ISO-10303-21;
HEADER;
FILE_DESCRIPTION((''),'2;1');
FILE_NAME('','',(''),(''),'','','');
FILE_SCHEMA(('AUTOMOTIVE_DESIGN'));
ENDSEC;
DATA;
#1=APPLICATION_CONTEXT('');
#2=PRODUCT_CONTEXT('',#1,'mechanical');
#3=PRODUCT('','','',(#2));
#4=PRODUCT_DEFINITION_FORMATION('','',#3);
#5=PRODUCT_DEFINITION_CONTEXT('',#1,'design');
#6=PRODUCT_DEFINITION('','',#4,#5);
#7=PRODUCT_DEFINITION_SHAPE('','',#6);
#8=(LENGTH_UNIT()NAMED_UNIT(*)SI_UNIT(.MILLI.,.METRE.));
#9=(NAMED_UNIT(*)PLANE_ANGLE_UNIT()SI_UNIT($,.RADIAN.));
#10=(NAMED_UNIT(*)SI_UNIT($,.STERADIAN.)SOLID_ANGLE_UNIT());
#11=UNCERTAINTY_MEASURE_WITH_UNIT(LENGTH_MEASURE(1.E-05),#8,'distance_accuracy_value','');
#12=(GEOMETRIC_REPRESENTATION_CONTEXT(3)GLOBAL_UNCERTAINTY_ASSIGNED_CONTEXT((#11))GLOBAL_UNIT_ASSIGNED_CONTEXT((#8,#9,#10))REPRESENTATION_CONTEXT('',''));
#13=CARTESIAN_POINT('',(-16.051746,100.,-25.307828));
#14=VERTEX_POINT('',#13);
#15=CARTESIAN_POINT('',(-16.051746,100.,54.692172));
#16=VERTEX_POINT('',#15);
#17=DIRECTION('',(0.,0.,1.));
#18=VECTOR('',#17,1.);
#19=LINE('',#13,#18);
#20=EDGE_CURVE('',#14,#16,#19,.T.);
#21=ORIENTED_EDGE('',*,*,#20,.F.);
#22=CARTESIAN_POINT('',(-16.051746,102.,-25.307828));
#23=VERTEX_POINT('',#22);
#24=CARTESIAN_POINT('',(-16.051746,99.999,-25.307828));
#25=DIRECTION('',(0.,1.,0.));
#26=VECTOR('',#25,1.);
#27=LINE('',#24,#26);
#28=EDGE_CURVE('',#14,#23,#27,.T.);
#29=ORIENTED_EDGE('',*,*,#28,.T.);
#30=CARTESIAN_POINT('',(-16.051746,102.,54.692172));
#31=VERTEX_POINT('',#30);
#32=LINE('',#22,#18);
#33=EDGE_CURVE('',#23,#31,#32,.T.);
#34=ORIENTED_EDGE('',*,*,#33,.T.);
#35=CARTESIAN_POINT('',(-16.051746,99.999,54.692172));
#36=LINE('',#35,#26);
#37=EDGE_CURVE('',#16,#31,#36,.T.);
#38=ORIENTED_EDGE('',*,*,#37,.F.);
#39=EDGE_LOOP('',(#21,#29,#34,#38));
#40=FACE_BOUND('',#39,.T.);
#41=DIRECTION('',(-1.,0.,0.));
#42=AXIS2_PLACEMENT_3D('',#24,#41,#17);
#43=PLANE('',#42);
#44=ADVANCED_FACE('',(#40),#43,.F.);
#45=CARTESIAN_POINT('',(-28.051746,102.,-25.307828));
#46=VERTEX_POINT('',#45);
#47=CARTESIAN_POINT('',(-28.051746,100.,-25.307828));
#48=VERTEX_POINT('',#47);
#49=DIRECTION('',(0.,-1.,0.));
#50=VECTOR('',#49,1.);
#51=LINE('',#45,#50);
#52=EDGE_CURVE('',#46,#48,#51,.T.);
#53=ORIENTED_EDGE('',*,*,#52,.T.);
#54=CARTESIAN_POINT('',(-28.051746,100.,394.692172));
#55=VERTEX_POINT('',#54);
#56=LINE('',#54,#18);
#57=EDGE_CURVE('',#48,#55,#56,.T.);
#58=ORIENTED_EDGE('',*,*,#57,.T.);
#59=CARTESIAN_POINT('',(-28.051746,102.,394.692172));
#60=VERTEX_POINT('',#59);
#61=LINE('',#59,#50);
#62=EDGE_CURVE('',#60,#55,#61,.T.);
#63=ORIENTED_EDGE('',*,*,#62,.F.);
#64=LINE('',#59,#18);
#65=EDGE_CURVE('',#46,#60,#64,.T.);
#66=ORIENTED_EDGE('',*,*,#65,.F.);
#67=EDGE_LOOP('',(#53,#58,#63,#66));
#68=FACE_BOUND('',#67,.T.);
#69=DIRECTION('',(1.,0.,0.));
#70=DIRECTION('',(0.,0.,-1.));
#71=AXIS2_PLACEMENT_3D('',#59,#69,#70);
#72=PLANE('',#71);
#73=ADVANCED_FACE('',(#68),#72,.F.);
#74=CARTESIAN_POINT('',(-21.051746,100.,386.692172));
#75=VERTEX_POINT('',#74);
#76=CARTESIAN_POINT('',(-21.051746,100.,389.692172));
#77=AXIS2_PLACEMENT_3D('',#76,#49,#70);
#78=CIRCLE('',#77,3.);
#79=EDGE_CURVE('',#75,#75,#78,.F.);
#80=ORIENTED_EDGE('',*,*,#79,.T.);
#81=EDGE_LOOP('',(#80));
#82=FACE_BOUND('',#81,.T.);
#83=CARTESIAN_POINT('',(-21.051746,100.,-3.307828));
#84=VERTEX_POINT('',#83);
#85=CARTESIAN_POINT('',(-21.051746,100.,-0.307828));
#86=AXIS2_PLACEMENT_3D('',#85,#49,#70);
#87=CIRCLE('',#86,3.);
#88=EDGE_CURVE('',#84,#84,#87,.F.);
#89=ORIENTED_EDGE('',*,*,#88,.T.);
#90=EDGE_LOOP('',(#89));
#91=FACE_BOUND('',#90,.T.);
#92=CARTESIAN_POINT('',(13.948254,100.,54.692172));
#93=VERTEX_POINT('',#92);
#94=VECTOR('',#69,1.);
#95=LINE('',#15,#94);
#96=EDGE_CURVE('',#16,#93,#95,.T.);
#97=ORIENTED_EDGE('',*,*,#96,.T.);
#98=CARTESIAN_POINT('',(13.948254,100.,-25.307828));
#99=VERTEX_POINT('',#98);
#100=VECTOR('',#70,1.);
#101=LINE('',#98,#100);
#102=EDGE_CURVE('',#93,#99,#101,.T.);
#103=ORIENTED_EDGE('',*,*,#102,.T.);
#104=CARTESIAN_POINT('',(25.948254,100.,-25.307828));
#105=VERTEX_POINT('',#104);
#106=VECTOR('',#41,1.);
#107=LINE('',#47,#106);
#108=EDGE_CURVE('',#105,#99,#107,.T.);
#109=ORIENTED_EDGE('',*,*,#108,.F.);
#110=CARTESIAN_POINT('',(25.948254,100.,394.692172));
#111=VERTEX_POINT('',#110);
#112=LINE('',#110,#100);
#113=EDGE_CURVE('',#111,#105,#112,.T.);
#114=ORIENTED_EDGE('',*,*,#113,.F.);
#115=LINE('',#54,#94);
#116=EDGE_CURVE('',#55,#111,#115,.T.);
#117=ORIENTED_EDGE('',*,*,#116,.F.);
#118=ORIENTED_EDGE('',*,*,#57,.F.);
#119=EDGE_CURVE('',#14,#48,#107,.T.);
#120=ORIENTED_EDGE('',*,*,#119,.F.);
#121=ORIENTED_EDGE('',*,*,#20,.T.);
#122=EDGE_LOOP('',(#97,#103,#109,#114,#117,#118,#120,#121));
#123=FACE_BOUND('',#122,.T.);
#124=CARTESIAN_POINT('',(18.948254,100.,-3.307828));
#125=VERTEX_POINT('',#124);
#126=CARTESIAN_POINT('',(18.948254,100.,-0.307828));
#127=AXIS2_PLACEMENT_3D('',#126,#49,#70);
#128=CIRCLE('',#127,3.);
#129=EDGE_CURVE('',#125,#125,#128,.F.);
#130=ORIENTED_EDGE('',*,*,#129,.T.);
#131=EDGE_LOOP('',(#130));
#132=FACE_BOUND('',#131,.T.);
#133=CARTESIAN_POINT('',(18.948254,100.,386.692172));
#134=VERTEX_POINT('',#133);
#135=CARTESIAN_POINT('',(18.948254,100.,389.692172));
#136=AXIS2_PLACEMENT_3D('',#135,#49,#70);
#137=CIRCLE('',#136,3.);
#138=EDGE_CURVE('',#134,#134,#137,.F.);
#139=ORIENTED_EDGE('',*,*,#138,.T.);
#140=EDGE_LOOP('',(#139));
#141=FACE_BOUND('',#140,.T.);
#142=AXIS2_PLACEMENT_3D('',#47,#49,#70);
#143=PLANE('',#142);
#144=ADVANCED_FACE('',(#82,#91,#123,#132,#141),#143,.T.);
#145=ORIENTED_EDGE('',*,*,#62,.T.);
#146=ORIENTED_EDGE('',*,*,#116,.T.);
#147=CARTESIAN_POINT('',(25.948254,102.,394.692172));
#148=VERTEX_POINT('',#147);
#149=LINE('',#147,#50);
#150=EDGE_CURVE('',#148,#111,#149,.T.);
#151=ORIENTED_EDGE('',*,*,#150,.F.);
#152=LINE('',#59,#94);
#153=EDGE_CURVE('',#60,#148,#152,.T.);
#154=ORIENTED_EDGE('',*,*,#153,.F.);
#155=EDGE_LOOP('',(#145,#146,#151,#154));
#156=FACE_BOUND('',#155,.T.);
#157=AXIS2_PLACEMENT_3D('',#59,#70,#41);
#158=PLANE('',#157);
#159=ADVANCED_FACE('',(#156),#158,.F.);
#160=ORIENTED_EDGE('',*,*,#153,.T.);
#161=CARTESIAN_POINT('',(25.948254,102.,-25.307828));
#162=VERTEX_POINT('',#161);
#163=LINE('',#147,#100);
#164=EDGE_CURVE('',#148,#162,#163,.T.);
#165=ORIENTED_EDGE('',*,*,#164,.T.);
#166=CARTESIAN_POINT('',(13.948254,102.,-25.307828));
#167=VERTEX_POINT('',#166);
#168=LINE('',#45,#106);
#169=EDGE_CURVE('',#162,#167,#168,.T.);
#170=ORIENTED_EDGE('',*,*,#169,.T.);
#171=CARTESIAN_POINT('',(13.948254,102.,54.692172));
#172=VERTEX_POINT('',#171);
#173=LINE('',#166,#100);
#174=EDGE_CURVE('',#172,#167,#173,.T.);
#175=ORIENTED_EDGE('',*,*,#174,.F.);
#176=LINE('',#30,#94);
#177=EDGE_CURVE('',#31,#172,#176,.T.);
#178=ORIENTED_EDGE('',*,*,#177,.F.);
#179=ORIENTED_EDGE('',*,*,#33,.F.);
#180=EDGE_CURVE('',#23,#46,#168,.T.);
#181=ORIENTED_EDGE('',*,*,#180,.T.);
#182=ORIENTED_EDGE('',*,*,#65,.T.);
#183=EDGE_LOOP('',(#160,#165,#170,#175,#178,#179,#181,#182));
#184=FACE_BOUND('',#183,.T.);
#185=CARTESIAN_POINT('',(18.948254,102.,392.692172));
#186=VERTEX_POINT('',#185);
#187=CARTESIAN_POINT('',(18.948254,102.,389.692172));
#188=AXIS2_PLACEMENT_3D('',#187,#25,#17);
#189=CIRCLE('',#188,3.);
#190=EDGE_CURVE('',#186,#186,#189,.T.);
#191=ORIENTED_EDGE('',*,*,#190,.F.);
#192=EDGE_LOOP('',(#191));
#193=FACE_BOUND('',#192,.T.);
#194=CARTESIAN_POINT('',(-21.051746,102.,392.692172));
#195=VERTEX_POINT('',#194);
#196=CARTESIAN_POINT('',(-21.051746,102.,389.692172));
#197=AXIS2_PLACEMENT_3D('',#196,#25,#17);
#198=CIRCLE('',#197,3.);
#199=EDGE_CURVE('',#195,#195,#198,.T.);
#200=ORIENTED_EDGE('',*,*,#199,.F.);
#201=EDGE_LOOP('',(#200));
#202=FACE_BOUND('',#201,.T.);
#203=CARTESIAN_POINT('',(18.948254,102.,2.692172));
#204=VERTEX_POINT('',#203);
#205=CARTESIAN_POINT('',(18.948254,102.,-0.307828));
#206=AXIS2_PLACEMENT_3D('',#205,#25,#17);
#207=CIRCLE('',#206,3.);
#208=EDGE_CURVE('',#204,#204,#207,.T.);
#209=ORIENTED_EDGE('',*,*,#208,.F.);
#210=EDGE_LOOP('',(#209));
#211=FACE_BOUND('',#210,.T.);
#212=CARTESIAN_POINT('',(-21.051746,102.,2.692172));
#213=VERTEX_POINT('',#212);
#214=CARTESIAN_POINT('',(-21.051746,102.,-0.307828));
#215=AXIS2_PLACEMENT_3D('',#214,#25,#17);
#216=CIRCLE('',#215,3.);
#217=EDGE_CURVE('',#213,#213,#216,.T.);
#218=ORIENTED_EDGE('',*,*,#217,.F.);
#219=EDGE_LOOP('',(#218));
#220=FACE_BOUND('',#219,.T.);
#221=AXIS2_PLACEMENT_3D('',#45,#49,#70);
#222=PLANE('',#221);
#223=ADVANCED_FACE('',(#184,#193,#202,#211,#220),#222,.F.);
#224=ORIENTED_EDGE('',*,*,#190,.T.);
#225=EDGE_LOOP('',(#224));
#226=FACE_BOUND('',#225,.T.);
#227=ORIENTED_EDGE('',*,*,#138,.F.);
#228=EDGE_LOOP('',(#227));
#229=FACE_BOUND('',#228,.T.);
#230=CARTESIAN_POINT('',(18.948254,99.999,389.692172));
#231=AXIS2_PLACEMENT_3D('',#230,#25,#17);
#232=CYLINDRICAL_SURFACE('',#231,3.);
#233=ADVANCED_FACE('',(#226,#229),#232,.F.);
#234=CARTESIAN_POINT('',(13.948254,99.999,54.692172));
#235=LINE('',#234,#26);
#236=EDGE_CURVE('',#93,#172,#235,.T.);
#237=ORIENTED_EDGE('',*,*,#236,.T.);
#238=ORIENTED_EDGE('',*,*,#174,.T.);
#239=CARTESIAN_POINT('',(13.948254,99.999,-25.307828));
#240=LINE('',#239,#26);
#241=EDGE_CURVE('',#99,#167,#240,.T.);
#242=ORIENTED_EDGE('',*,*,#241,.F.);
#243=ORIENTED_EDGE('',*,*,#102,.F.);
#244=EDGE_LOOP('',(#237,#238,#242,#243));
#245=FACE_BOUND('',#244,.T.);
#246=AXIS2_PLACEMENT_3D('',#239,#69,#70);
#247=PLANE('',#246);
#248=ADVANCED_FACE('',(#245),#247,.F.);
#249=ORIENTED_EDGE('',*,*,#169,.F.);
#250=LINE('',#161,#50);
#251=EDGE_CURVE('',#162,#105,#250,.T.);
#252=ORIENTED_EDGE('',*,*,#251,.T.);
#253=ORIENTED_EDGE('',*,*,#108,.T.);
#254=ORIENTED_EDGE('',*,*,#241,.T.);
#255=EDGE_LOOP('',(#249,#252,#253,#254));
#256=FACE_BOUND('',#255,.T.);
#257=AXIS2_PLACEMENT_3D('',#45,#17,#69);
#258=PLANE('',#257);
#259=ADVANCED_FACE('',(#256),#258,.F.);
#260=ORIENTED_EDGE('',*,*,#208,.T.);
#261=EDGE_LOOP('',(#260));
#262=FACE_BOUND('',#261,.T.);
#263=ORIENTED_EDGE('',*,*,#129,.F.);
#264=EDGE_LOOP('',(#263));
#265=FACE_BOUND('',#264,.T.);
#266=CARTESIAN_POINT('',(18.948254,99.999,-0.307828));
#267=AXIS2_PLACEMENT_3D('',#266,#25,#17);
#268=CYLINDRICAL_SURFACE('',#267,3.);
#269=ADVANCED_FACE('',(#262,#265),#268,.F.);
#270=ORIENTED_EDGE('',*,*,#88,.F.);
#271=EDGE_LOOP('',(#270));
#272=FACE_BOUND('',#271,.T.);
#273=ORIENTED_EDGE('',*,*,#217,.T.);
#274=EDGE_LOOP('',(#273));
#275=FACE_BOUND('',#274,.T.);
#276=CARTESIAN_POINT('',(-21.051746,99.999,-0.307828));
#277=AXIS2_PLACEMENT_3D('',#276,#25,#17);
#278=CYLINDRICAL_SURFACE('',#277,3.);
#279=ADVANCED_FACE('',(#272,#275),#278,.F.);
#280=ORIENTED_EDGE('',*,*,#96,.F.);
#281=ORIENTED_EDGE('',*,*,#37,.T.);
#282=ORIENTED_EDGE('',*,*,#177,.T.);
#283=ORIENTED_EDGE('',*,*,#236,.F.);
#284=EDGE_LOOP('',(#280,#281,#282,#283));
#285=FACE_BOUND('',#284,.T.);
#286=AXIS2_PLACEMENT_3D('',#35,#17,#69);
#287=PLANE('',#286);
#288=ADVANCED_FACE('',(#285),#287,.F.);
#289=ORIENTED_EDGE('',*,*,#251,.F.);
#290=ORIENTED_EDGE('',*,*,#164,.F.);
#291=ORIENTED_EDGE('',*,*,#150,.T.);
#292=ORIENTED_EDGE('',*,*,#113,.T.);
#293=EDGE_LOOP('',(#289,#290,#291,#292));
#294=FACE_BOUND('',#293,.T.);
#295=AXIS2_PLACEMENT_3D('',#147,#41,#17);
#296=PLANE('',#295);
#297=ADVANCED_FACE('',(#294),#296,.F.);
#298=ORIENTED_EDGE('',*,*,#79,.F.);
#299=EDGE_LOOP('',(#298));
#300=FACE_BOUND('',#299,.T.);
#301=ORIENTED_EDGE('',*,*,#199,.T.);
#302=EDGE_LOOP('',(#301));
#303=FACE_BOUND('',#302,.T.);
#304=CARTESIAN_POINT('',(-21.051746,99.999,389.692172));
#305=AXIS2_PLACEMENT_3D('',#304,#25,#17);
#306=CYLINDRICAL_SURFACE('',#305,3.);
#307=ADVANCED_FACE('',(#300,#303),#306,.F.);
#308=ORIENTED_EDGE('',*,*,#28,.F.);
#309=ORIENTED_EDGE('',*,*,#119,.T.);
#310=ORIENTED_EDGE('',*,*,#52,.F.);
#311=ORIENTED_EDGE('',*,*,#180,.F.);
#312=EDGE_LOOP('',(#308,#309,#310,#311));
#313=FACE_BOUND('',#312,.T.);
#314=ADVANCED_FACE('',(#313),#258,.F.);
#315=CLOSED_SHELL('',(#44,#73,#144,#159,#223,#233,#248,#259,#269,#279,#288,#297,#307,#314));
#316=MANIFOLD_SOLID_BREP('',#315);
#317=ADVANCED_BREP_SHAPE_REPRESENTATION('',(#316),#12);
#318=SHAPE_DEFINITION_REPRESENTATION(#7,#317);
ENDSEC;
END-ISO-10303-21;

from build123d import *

# Parameters (mm, degrees)
SKETCH1_W           = 54
SKETCH1_H           = 420
BOSS_EXTRUDE1_DEPTH = 2
CUT_EXTRUDE1_REACH  = 4
SKETCH2_W           = 30
SKETCH2_H           = 80
CUT_EXTRUDE2_REACH  = 4
SKETCH3_R           = 3


with BuildPart() as part:
    # Sketch1 → Boss-Extrude1 (new body)
    with BuildSketch(Plane(origin=(0, 100, 0), x_dir=(-1, 0, 0), z_dir=(0, 1, 0))):
        with Locations((1.051745534, 184.692172039)):
            Rectangle(SKETCH1_W, SKETCH1_H)
    extrude(amount=BOSS_EXTRUDE1_DEPTH)

    # Sketch2 → Cut-Extrude1 (cut, up to next)
    with BuildSketch(Plane(origin=(0, 102, 0), x_dir=(-1, 0, 0), z_dir=(0, 1, 0)), mode=Mode.PRIVATE) as cut_extrude1_sk1:
        with Locations((1.051745534, 14.692172039)):
            Rectangle(SKETCH2_W, SKETCH2_H)
    cut_extrude1_tool1 = extrude(cut_extrude1_sk1.sketch, amount=-CUT_EXTRUDE1_REACH, mode=Mode.PRIVATE) & part.part
    add(cut_extrude1_tool1.solids().sort_by_distance((-1.051746, 102, 14.692172))[0], mode=Mode.SUBTRACT)

    # Sketch3 → Cut-Extrude2 (cut, up to next)
    with BuildSketch(Plane(origin=(0, 102, 0), x_dir=(-1, 0, 0), z_dir=(0, 1, 0)), mode=Mode.PRIVATE) as cut_extrude2_sk1:
        with Locations((-18.948254466, -0.307827961)):
            Circle(SKETCH3_R)
    cut_extrude2_tool1 = extrude(cut_extrude2_sk1.sketch, amount=-CUT_EXTRUDE2_REACH, mode=Mode.PRIVATE) & part.part
    add(cut_extrude2_tool1.solids().sort_by_distance((18.948254, 102, -0.307828))[0], mode=Mode.SUBTRACT)
    # Sketch3 → Cut-Extrude2 (cut, up to next)
    with BuildSketch(Plane(origin=(0, 102, 0), x_dir=(-1, 0, 0), z_dir=(0, 1, 0)), mode=Mode.PRIVATE) as cut_extrude2_sk2:
        with Locations((21.051745534, -0.307827961)):
            Circle(SKETCH3_R)
    cut_extrude2_tool2 = extrude(cut_extrude2_sk2.sketch, amount=-CUT_EXTRUDE2_REACH, mode=Mode.PRIVATE) & part.part
    add(cut_extrude2_tool2.solids().sort_by_distance((-21.051746, 102, -0.307828))[0], mode=Mode.SUBTRACT)
    # Sketch3 → Cut-Extrude2 (cut, up to next)
    with BuildSketch(Plane(origin=(0, 102, 0), x_dir=(-1, 0, 0), z_dir=(0, 1, 0)), mode=Mode.PRIVATE) as cut_extrude2_sk3:
        with Locations((21.051745534, 389.692172039)):
            Circle(SKETCH3_R)
    cut_extrude2_tool3 = extrude(cut_extrude2_sk3.sketch, amount=-CUT_EXTRUDE2_REACH, mode=Mode.PRIVATE) & part.part
    add(cut_extrude2_tool3.solids().sort_by_distance((-21.051746, 102, 389.692172))[0], mode=Mode.SUBTRACT)
    # Sketch3 → Cut-Extrude2 (cut, up to next)
    with BuildSketch(Plane(origin=(0, 102, 0), x_dir=(-1, 0, 0), z_dir=(0, 1, 0)), mode=Mode.PRIVATE) as cut_extrude2_sk4:
        with Locations((-18.948254466, 389.692172039)):
            Circle(SKETCH3_R)
    cut_extrude2_tool4 = extrude(cut_extrude2_sk4.sketch, amount=-CUT_EXTRUDE2_REACH, mode=Mode.PRIVATE) & part.part
    add(cut_extrude2_tool4.solids().sort_by_distance((18.948254, 102, 389.692172))[0], mode=Mode.SUBTRACT)


solid = part.part
